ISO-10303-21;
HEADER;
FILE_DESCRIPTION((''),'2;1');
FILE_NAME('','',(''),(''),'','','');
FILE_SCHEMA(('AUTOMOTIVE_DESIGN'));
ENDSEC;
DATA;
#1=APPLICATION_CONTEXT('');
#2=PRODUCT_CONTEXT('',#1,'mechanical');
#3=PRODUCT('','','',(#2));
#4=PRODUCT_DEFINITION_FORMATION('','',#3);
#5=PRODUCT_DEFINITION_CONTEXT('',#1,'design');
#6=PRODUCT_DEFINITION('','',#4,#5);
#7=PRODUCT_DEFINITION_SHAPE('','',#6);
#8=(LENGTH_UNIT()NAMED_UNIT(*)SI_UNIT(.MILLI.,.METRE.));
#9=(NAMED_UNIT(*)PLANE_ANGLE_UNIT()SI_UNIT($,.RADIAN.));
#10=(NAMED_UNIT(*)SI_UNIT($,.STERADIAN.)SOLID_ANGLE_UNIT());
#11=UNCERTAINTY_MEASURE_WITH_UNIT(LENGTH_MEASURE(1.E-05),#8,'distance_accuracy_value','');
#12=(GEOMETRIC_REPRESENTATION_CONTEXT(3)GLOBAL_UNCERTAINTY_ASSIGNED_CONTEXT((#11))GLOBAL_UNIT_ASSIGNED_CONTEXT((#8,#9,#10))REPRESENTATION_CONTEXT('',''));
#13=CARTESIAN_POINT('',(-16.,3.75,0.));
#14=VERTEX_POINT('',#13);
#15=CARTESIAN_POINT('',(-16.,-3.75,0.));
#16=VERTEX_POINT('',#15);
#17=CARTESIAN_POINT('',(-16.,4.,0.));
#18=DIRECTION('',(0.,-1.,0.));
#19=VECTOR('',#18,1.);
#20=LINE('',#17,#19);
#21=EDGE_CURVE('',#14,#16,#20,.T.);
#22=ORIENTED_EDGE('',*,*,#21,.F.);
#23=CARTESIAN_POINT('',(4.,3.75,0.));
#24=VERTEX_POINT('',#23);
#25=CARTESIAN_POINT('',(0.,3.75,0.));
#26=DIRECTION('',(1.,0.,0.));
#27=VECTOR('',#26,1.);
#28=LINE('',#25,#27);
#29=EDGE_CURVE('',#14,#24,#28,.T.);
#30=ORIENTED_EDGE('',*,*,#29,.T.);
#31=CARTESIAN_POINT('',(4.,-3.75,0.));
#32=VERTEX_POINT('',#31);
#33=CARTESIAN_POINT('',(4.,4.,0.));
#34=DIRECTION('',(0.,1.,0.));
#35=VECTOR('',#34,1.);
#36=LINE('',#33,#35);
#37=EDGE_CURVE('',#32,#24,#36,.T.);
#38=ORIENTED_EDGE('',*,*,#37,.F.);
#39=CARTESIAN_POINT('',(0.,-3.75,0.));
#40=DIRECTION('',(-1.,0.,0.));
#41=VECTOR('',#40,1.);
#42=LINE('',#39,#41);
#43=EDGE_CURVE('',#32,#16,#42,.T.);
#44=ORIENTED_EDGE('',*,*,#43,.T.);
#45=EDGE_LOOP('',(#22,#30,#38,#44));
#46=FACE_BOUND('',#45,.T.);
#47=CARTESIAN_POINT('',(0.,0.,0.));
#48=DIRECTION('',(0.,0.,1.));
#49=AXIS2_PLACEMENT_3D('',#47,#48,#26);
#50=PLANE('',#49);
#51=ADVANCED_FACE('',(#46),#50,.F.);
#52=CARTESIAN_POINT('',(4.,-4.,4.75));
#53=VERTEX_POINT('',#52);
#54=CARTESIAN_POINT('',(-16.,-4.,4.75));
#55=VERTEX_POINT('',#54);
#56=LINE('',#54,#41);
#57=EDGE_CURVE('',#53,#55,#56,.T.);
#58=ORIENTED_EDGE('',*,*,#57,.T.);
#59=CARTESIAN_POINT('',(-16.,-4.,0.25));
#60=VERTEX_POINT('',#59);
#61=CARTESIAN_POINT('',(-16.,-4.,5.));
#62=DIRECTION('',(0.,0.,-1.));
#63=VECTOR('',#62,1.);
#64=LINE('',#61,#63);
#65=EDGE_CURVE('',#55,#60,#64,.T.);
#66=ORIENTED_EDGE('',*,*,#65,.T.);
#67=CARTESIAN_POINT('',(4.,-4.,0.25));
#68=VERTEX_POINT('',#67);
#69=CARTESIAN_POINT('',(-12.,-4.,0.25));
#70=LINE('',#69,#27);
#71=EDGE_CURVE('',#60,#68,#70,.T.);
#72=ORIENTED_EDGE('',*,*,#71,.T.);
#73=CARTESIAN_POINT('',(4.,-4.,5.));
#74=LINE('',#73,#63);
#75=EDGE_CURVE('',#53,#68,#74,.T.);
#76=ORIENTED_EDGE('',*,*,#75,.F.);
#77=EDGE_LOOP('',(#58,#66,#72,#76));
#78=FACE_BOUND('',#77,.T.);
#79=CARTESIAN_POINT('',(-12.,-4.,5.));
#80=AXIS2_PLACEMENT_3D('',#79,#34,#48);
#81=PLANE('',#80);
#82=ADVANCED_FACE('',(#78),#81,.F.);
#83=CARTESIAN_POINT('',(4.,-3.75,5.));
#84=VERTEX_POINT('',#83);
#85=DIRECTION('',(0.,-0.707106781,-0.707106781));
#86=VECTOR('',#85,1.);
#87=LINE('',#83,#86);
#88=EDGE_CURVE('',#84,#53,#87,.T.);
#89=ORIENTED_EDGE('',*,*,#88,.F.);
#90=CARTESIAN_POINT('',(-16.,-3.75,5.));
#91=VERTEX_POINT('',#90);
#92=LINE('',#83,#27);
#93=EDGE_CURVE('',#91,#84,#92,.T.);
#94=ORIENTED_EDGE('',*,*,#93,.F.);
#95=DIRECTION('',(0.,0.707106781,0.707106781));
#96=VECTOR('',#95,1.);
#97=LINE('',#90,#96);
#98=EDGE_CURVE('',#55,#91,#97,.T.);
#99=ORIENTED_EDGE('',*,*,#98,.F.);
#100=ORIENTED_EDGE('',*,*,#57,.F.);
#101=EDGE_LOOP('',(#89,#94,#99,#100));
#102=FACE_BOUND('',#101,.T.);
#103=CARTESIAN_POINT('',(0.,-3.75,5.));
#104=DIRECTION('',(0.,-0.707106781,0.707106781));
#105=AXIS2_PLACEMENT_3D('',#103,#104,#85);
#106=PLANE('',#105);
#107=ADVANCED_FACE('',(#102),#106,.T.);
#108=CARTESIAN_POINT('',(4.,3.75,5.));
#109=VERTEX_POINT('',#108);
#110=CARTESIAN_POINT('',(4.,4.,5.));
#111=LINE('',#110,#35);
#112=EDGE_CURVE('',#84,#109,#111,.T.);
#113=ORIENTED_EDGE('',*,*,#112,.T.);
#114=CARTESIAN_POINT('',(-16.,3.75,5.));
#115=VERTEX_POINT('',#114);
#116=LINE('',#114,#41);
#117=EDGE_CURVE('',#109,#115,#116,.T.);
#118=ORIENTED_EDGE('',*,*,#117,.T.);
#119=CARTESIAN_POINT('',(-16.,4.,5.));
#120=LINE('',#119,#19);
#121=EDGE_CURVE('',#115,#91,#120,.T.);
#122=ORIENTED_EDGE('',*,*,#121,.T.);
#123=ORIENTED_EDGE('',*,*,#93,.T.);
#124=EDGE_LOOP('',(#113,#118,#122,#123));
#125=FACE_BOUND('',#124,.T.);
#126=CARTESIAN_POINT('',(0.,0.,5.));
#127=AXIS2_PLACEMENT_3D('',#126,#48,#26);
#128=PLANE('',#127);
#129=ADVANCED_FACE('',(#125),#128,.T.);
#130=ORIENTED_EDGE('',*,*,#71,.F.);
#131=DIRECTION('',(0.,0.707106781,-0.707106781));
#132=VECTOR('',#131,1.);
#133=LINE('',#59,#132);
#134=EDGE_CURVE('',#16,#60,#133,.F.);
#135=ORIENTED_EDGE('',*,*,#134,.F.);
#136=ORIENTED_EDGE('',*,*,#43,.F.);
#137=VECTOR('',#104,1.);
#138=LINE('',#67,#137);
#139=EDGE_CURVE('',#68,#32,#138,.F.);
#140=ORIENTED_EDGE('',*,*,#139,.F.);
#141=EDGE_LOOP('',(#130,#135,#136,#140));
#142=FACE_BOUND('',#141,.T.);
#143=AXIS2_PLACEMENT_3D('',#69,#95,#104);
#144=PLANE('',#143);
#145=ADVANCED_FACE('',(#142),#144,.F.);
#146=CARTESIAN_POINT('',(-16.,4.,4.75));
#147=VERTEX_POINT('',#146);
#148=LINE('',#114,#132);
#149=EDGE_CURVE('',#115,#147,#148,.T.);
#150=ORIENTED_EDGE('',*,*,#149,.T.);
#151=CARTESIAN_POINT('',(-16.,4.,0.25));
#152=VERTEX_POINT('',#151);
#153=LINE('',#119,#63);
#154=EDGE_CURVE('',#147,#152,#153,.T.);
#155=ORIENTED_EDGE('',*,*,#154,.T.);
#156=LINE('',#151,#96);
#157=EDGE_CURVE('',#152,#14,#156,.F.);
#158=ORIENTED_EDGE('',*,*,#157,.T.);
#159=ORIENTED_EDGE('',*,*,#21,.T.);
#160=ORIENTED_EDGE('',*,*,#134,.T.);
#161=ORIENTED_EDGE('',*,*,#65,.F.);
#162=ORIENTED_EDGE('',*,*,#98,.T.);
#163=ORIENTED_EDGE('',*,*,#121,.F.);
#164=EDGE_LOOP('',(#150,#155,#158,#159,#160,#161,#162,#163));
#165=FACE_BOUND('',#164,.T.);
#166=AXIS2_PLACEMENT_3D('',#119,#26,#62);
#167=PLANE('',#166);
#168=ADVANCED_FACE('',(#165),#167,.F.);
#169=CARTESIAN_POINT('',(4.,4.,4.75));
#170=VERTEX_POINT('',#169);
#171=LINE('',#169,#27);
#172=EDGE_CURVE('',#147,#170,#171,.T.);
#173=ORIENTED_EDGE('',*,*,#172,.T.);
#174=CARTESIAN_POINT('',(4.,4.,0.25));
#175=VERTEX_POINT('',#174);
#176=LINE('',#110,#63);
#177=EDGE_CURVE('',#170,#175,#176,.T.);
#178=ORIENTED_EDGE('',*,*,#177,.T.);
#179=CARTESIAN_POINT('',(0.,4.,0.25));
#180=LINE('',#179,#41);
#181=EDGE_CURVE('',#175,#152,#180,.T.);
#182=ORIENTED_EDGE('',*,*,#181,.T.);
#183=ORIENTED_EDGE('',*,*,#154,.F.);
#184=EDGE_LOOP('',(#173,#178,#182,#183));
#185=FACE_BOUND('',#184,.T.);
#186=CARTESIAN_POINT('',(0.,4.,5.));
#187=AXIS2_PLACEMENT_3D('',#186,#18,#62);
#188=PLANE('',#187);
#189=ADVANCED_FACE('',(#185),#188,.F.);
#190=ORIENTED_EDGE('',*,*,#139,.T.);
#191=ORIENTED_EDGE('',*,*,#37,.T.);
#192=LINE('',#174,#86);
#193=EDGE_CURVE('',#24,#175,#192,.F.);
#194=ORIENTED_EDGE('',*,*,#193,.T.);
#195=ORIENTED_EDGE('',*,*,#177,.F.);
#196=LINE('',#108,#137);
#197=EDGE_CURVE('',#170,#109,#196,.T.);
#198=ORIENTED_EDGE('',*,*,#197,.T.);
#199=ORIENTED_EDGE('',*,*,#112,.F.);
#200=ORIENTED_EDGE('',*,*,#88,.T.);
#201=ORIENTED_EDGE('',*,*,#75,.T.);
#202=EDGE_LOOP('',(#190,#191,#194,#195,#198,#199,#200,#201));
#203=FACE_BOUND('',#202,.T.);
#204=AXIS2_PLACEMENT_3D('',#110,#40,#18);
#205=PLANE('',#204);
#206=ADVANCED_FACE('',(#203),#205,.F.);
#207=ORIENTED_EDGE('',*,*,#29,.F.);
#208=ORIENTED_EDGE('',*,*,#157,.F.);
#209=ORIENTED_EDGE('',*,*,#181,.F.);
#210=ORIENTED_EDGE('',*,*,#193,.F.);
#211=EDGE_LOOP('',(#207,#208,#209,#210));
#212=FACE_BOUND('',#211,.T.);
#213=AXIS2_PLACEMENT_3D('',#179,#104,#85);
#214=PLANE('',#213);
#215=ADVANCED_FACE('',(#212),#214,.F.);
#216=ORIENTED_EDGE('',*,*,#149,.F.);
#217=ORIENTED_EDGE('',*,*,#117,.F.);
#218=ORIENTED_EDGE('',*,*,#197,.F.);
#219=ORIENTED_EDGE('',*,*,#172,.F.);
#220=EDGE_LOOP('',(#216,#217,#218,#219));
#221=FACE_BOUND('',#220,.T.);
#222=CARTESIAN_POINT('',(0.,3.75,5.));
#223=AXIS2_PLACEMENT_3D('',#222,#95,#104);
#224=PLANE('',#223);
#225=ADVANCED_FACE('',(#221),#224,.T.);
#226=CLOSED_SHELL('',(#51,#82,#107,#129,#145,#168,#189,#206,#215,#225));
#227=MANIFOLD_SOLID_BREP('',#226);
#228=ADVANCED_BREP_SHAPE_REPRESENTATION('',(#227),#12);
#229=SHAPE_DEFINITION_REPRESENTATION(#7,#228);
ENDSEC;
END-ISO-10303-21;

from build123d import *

# Parameters (mm, degrees)
EXTRUDE1_DEPTH = 5
SKETCH2_W      = 20
SKETCH2_H      = 8
EXTRUDE2_DEPTH = 5
CHAMFER1_SIZE  = 0.25


with BuildPart() as part:
    # Sketch1 → Extrude1 (new body)
    with BuildSketch(Plane.XY):
        with BuildLine():
            Line((0, 4), (-12, 4))
            ThreePointArc((-12, 4), (-16, 0), (-12, -4))
            Line((-12, -4), (0, -4))
            ThreePointArc((0, -4), (4, 0), (0, 4))
        make_face()
    extrude(amount=EXTRUDE1_DEPTH)

    # Sketch2 → Extrude2 (add)
    with BuildSketch(Plane.XY):
        with Locations((-6, 0)):
            Rectangle(SKETCH2_W, SKETCH2_H)
    extrude(amount=EXTRUDE2_DEPTH)

    # Chamfer1
    chamfer1_edges = [part.edges().sort_by_distance(p)[0] for p in [
        (-6, -4, 5),
        (-6, -4, 0),
        (-6, 4, 0),
        (-6, 4, 5),
    ]]
    chamfer(chamfer1_edges, length=CHAMFER1_SIZE)


solid = part.part
